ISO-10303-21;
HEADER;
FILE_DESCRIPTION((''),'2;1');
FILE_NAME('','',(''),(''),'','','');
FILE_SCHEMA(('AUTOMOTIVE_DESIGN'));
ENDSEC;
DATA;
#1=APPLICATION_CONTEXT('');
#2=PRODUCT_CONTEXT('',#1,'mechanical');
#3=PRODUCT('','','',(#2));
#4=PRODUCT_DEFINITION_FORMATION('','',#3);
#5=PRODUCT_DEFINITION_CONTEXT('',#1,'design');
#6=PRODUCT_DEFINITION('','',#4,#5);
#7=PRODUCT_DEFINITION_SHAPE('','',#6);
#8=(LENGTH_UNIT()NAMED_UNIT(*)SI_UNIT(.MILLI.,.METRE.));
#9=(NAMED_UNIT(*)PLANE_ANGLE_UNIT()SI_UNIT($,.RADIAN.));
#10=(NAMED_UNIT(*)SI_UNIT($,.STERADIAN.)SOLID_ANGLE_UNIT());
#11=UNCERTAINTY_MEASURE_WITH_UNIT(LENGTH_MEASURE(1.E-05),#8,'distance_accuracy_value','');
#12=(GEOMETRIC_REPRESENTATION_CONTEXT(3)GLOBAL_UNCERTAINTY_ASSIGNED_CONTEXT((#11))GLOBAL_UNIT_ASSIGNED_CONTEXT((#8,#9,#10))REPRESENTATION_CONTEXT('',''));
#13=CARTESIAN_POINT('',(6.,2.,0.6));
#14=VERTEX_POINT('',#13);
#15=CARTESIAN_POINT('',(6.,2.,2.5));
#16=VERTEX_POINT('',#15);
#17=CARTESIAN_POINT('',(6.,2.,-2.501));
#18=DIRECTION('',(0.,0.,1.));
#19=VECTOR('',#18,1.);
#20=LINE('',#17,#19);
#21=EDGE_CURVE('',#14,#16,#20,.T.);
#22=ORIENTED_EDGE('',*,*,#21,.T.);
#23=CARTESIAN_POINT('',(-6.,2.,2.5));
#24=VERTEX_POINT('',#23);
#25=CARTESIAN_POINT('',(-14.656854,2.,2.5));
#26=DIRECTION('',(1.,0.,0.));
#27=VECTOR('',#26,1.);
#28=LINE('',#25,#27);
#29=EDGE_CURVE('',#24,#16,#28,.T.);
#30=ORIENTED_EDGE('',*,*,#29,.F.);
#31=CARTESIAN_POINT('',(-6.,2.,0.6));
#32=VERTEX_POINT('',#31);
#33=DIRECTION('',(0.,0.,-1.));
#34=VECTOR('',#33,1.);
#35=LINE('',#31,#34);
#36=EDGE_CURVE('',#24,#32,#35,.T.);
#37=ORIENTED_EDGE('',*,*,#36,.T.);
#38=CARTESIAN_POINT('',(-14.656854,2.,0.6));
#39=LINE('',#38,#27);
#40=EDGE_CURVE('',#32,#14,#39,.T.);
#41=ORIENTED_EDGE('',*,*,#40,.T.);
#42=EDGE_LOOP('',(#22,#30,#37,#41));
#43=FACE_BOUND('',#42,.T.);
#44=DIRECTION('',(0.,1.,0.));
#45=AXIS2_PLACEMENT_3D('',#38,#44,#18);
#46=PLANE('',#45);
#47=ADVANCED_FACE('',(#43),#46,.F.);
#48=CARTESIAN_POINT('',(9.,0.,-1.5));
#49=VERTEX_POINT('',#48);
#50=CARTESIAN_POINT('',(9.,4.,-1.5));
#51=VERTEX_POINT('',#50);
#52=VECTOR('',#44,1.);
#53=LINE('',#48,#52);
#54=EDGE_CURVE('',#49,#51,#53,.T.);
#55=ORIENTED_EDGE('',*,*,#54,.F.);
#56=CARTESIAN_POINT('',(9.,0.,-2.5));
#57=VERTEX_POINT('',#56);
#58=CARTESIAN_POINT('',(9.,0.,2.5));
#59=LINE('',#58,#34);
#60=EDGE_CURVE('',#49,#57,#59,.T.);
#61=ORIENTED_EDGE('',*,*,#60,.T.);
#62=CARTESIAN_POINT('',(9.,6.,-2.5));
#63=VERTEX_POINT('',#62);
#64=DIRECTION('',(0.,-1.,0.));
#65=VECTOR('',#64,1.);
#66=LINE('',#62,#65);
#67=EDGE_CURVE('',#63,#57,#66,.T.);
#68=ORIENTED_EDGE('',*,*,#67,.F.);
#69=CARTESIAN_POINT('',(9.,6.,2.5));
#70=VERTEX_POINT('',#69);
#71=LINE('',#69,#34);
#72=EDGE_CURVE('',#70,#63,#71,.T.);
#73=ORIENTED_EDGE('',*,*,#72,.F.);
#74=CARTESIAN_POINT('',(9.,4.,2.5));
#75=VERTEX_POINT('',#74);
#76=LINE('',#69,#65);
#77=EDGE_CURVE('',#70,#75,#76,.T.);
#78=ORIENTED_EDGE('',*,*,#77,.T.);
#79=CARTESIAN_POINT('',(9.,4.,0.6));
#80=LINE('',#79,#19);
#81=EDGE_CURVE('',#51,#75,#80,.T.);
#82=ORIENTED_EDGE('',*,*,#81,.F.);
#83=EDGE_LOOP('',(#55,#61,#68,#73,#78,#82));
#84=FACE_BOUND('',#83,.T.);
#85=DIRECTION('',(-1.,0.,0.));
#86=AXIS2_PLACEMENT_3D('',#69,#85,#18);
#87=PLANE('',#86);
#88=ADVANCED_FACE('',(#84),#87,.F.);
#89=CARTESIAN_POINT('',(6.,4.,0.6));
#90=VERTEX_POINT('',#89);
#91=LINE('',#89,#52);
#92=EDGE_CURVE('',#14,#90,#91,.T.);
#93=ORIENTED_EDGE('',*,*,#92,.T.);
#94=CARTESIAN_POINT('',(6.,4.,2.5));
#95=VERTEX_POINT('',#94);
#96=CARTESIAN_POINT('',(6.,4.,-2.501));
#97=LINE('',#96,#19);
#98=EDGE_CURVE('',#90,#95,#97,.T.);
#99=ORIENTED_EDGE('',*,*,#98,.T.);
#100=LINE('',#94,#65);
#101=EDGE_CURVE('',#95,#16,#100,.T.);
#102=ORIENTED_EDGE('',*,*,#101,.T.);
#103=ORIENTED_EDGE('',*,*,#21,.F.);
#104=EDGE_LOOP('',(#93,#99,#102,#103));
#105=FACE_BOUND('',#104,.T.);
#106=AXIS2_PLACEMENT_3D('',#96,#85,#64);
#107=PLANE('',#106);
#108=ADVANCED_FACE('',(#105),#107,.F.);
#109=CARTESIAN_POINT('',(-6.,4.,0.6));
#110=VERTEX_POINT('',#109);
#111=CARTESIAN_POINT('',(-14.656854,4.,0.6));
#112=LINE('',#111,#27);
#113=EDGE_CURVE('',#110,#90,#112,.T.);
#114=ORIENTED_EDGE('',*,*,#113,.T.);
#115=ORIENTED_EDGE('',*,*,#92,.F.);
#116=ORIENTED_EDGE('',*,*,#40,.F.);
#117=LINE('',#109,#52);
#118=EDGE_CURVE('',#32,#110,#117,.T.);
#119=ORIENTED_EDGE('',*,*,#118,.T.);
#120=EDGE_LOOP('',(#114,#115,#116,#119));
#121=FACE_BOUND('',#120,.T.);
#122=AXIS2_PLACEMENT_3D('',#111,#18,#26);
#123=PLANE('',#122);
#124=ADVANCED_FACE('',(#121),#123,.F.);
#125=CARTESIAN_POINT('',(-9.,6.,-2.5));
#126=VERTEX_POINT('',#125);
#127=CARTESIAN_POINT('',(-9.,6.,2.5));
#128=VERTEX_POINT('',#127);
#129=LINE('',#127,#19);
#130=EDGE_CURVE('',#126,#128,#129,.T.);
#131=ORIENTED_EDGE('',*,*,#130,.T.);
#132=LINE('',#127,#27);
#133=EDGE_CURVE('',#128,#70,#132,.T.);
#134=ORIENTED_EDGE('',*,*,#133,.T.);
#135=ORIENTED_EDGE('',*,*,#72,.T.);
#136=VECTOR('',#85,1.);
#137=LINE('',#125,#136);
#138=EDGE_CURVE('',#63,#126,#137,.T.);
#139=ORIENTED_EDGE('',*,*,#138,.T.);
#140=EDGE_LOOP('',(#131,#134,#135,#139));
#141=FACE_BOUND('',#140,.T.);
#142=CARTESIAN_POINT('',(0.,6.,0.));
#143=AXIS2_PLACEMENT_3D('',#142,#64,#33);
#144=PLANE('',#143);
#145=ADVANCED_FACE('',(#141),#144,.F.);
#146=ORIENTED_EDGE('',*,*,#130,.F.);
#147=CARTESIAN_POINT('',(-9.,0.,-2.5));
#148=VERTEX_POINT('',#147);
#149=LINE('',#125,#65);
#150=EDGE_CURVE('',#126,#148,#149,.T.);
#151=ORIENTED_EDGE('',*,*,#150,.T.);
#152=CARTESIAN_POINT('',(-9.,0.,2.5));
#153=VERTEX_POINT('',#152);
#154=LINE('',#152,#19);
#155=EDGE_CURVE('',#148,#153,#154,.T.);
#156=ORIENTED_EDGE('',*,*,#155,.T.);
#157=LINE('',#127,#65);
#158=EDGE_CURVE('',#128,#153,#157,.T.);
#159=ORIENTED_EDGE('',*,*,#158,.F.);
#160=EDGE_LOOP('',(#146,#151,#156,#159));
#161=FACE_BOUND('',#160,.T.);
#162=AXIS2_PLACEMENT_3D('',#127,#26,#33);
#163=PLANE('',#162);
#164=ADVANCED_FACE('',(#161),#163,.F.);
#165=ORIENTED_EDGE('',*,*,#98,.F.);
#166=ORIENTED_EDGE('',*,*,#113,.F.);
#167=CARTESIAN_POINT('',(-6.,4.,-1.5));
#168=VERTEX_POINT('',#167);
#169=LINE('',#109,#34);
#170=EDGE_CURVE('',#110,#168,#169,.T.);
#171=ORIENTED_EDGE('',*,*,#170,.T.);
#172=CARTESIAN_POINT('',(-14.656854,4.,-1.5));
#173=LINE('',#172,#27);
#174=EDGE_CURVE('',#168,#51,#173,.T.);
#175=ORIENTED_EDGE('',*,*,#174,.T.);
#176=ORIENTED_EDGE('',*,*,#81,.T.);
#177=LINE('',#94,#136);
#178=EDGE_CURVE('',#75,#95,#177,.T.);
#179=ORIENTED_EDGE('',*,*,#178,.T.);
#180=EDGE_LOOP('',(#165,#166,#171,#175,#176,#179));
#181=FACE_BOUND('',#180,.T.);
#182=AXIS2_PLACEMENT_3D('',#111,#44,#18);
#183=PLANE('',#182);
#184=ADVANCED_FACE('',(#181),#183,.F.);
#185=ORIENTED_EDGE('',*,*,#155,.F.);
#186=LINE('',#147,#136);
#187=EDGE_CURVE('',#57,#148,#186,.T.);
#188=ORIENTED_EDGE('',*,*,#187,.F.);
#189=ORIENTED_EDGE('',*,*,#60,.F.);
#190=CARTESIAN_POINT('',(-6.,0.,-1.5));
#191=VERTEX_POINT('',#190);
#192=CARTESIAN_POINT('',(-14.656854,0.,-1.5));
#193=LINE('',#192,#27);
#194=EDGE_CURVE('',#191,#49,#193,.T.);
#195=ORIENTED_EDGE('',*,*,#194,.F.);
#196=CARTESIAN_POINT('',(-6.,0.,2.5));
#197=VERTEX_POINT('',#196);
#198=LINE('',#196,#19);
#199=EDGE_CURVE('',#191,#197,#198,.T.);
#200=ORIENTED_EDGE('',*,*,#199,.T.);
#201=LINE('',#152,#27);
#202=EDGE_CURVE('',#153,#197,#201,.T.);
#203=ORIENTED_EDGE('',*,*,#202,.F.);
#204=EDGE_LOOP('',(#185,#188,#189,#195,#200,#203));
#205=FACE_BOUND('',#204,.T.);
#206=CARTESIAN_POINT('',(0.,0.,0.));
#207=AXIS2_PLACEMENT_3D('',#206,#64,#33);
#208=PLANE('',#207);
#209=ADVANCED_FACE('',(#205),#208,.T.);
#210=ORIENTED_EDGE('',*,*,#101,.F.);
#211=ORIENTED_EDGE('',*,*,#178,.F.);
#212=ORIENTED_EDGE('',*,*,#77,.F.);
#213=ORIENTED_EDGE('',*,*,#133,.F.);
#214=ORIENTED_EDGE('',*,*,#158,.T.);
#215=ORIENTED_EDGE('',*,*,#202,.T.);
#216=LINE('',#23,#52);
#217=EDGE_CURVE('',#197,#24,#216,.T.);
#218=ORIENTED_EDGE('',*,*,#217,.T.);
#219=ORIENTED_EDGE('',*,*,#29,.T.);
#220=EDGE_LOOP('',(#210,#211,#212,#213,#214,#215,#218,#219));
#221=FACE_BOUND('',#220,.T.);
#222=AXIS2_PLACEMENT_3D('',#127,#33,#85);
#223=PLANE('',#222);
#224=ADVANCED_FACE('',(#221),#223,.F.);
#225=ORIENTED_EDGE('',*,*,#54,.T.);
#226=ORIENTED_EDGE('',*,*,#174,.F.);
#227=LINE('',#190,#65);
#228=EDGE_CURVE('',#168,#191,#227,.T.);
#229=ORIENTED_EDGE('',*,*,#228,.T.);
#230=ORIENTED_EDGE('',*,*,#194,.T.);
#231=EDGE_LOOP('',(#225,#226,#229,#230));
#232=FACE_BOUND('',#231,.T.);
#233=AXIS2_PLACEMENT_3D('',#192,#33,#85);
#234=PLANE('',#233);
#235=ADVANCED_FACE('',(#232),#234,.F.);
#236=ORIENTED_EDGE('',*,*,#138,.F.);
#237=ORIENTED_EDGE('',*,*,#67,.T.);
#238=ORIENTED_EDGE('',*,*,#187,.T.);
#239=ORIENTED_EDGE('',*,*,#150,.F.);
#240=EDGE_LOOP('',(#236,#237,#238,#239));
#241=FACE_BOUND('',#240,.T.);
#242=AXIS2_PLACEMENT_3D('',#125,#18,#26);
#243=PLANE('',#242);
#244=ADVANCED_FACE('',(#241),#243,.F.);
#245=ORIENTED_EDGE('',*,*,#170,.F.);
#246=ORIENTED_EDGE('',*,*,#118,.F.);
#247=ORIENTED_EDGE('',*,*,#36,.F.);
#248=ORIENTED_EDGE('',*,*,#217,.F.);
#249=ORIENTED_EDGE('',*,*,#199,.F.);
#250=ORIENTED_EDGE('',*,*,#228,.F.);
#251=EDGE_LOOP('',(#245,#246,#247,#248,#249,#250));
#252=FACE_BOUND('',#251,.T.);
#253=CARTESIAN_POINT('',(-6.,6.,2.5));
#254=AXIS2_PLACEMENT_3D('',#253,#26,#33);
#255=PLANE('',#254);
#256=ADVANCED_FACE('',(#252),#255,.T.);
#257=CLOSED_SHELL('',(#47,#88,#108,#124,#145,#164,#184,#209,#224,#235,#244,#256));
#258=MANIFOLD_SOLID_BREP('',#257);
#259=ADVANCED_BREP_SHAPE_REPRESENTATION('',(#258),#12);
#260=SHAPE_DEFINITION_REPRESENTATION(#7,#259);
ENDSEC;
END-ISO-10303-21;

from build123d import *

# Parameters (mm, degrees)
SKETCH2_W           = 18
SKETCH2_H           = 5
BOSS_EXTRUDE1_DEPTH = 6
CUT_EXTRUDE1_DEPTH  = 15
CUT_EXTRUDE2_REACH  = 13.916
SKETCH4_W           = 3
SKETCH4_H           = 2


with BuildPart() as part:
    # Sketch2 → Boss-Extrude1 (new body)
    with BuildSketch(Plane(origin=(0, 0, 0), x_dir=(1, 0, 0), z_dir=(0, 1, 0))):
        Rectangle(SKETCH2_W, SKETCH2_H)
    extrude(amount=BOSS_EXTRUDE1_DEPTH)

    # Sketch3 → Cut-Extrude1 (cut)
    with BuildSketch(Plane(origin=(9, 0, 0), x_dir=(0, 0, -1), z_dir=(1, 0, 0))):
        Polygon((-2.5, 0), (1.5, 0), (1.5, 4), (-0.6, 4), (-0.6, 2), (-2.5, 2), align=None)
    extrude(amount=-CUT_EXTRUDE1_DEPTH, mode=Mode.SUBTRACT)

    # Sketch4 → Cut-Extrude2 (cut, up to next)
    with BuildSketch(Plane.XY.offset(2.5), mode=Mode.PRIVATE) as cut_extrude2_sk1:
        with Locations((7.5, 3)):
            Rectangle(SKETCH4_W, SKETCH4_H)
    cut_extrude2_tool1 = extrude(cut_extrude2_sk1.sketch, amount=-CUT_EXTRUDE2_REACH, mode=Mode.PRIVATE) & part.part
    add(cut_extrude2_tool1.solids().sort_by_distance((7.5, 3, 2.5))[0], mode=Mode.SUBTRACT)


solid = part.part
